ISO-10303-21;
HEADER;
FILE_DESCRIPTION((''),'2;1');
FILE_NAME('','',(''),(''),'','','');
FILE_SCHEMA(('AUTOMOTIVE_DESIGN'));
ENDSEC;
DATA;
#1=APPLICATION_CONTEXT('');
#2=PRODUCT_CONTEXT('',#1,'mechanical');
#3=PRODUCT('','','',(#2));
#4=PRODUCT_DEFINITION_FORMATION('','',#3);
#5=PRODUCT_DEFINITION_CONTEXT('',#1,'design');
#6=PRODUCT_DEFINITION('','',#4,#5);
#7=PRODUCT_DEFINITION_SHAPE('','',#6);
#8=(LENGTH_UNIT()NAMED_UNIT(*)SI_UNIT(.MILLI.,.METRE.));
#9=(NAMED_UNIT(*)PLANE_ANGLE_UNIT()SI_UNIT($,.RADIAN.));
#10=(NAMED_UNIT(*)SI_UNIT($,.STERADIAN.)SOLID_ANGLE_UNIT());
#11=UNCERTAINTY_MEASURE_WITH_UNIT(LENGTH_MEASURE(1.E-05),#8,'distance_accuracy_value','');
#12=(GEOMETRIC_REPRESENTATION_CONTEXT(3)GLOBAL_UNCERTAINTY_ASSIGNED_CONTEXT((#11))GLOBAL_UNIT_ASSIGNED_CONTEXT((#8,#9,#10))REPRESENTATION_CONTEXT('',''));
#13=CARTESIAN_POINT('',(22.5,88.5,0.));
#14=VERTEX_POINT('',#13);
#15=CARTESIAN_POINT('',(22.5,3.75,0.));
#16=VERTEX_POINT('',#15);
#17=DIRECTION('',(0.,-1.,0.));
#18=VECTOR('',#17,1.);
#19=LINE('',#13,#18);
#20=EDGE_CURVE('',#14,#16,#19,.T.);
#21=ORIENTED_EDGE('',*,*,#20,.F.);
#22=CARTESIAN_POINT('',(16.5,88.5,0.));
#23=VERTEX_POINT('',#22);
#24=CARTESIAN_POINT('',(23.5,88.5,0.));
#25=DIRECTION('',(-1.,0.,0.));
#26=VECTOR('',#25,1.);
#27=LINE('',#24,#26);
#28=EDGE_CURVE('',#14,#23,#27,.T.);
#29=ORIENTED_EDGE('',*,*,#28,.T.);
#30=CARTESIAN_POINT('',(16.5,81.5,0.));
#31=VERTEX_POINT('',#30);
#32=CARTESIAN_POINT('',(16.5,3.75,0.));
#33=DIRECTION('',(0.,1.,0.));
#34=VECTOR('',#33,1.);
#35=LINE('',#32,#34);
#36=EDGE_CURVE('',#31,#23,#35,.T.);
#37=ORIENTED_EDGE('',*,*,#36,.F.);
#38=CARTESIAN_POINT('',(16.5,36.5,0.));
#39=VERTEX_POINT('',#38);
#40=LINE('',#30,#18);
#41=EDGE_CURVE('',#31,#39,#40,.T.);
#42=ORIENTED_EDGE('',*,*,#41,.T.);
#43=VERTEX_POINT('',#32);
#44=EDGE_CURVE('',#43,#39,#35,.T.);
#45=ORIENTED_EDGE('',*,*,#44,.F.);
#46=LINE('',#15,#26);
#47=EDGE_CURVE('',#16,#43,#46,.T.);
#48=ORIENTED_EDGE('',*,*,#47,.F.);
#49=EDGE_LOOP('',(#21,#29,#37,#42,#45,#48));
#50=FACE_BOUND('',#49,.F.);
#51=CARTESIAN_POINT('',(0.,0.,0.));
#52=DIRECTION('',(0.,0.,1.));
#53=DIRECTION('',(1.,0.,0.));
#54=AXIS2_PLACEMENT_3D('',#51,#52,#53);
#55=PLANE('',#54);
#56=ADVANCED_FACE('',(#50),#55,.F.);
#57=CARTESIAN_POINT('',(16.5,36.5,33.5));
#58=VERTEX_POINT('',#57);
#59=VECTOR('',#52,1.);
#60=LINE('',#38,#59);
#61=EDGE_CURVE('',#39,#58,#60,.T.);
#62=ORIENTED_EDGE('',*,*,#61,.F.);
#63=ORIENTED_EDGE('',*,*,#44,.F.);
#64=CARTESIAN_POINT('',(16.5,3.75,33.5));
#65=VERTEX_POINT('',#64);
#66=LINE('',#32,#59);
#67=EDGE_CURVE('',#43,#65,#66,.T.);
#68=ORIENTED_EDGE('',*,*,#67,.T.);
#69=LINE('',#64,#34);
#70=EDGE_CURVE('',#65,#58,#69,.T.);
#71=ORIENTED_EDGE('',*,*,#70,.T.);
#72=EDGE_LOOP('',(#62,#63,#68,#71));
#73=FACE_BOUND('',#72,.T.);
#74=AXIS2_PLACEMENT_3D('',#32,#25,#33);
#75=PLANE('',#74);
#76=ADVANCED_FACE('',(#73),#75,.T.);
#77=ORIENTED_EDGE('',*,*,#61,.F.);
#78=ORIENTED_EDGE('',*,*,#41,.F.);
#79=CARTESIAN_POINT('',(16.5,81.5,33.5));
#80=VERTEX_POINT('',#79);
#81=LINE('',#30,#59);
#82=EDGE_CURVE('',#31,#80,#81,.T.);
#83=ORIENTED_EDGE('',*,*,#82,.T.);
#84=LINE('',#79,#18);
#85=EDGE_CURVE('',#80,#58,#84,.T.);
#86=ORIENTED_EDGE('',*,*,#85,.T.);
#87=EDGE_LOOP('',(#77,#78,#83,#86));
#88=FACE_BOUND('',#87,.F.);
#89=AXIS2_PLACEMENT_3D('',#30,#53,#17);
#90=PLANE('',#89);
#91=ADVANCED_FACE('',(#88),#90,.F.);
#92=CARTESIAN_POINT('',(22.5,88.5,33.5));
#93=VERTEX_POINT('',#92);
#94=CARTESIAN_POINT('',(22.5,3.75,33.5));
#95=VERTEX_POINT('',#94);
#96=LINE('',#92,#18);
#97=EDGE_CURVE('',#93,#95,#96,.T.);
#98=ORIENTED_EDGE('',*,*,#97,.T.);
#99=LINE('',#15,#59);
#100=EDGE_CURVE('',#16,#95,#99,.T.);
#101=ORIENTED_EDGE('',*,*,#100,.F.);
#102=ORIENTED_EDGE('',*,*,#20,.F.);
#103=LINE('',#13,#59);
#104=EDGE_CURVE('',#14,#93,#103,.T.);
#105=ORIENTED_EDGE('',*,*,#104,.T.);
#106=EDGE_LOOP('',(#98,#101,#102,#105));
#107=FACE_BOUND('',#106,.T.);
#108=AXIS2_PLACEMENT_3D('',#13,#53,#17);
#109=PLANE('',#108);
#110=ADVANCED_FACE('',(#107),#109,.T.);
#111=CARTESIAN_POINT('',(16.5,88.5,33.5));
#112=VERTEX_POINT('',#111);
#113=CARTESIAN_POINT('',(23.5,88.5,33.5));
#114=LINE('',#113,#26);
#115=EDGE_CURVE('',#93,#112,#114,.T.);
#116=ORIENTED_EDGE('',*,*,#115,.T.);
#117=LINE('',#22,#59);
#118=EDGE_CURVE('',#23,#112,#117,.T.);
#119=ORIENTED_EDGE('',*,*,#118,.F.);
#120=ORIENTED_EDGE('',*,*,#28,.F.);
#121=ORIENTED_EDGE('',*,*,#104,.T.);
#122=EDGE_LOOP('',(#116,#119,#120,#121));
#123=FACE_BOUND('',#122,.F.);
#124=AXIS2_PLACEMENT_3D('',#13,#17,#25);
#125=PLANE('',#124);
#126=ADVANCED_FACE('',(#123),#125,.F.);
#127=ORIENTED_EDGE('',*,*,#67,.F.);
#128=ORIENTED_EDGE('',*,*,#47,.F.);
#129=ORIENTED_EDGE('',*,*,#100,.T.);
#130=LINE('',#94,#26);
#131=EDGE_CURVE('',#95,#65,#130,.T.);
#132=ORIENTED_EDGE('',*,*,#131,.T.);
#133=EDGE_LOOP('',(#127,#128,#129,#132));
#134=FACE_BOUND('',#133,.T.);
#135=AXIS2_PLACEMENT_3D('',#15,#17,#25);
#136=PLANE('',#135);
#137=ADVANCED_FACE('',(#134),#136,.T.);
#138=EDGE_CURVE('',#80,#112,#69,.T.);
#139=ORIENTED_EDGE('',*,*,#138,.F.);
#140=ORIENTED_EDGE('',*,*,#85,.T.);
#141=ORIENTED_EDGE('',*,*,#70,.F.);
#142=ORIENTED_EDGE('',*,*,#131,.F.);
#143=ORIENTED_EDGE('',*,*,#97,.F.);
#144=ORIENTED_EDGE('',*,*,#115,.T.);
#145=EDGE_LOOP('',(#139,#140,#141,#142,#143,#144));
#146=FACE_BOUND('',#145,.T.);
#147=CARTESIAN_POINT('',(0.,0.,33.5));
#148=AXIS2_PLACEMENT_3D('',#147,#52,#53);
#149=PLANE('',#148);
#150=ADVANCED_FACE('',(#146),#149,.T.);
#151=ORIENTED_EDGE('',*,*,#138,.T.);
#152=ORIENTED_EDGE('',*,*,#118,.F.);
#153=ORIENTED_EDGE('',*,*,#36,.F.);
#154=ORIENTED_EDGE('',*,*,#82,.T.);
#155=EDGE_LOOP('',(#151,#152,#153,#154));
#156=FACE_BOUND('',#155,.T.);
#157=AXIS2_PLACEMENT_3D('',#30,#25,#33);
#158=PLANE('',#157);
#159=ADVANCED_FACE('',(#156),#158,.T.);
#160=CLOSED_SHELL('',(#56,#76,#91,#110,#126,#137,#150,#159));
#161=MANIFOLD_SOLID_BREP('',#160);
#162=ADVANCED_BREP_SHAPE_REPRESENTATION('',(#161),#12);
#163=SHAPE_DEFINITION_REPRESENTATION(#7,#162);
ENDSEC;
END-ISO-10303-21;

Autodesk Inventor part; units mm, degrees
ref_plane "YZ Plane" through (0, 0, 0) normal (1, 0, 0) x (0, 1, 0)
ref_plane "XZ Plane" through (0, 0, 0) normal (0, 1, 0) x (-1, 0, 0)
ref_plane "Work Plane1" through (0, 0, 0) normal (0, 0, 1) x (1, 0, 0)
sketch "Sketch1" plane through (0, 0, 0) normal (0, 0, 1) x (1, 0, 0)
  line L0 (23.5, 88.5) -> (-23.5, 88.5) projected
  line L1 (-23.5, 88.5) -> (-23.5, 36.5) projected
  line L2 (-26.5, 33.5) -> (-89, 33.5) projected
  line L3 (-89, 33.5) -> (-89, -72.5) projected
  line L4 (-89, -72.5) -> (-77, -72.5) projected
  line L5 (-74, -75.5) -> (-74, -93.5) projected
  line L6 (-74, -93.5) -> (74, -93.5) projected
  line L7 (74, -93.5) -> (74, -75.5) projected
  line L8 (77, -72.5) -> (89, -72.5) projected
  line L9 (89, -72.5) -> (89, 33.5) projected
  line L10 (89, 33.5) -> (26.5, 33.5) projected
  line L11 (23.5, 36.5) -> (23.5, 88.5) projected
  line L12 (-4.5, 81.5) -> (-4.5, 36.5) projected
  line L13 (-7.5, 33.5) -> (-13.5, 33.5) projected
  line L14 (-16.5, 36.5) -> (-16.5, 81.5) projected
  line L15 (-13.5, 84.5) -> (-7.5, 84.5) projected
  line L16 (16.5, 81.5) -> (16.5, 36.5) projected
  line L17 (13.5, 33.5) -> (7.5, 33.5) projected
  line L18 (4.5, 36.5) -> (4.5, 81.5) projected
  line L19 (7.5, 84.5) -> (13.5, 84.5) projected
  line L20 (16.5, 88.5) -> (22.5, 88.5)
  line L21 (22.5, 88.5) -> (22.5, 3.75)
  line L22 (22.5, 3.75) -> (16.5, 3.75)
  line L23 (16.5, 3.75) -> (16.5, 88.5)
  line L24 (59.9, 4.75) -> (32.2, 4.75)
  arc A0 (13.5, 33.5) -> (16.5, 36.5) centre (13.5, 36.5) ccw projected
  arc A1 (4.5, 36.5) -> (7.5, 33.5) centre (7.5, 36.5) ccw projected
  arc A2 (7.5, 84.5) -> (4.5, 81.5) centre (7.5, 81.5) ccw projected
  arc A3 (16.5, 81.5) -> (13.5, 84.5) centre (13.5, 81.5) ccw projected
  arc A4 (-4.5, 81.5) -> (-7.5, 84.5) centre (-7.5, 81.5) ccw projected
  arc A5 (-7.5, 33.5) -> (-4.5, 36.5) centre (-7.5, 36.5) ccw projected
  arc A6 (-16.5, 36.5) -> (-13.5, 33.5) centre (-13.5, 36.5) ccw projected
  arc A7 (-13.5, 84.5) -> (-16.5, 81.5) centre (-13.5, 81.5) ccw projected
  arc A8 (-26.5, 33.5) -> (-23.5, 36.5) centre (-26.5, 36.5) ccw projected
  arc A9 (-74, -75.5) -> (-77, -72.5) centre (-77, -75.5) ccw projected
  arc A10 (77, -72.5) -> (74, -75.5) centre (77, -75.5) ccw projected
  arc A11 (23.5, 36.5) -> (26.5, 33.5) centre (26.5, 36.5) ccw projected
  point P0 (0, 0)
  dimension "d0" = 1
  dimension "d1" = 1
ref_plane "Work Plane2" through (-89, -40.3889, 33.5) normal (0, 0, 1) x (1, 0, 0)
extrude "Extrusion1" add sketch "Sketch1" along normal up to surface (33.5 mm away) contours L21 L22 L23 L16 L0
properties part number "left_gear_holder"
